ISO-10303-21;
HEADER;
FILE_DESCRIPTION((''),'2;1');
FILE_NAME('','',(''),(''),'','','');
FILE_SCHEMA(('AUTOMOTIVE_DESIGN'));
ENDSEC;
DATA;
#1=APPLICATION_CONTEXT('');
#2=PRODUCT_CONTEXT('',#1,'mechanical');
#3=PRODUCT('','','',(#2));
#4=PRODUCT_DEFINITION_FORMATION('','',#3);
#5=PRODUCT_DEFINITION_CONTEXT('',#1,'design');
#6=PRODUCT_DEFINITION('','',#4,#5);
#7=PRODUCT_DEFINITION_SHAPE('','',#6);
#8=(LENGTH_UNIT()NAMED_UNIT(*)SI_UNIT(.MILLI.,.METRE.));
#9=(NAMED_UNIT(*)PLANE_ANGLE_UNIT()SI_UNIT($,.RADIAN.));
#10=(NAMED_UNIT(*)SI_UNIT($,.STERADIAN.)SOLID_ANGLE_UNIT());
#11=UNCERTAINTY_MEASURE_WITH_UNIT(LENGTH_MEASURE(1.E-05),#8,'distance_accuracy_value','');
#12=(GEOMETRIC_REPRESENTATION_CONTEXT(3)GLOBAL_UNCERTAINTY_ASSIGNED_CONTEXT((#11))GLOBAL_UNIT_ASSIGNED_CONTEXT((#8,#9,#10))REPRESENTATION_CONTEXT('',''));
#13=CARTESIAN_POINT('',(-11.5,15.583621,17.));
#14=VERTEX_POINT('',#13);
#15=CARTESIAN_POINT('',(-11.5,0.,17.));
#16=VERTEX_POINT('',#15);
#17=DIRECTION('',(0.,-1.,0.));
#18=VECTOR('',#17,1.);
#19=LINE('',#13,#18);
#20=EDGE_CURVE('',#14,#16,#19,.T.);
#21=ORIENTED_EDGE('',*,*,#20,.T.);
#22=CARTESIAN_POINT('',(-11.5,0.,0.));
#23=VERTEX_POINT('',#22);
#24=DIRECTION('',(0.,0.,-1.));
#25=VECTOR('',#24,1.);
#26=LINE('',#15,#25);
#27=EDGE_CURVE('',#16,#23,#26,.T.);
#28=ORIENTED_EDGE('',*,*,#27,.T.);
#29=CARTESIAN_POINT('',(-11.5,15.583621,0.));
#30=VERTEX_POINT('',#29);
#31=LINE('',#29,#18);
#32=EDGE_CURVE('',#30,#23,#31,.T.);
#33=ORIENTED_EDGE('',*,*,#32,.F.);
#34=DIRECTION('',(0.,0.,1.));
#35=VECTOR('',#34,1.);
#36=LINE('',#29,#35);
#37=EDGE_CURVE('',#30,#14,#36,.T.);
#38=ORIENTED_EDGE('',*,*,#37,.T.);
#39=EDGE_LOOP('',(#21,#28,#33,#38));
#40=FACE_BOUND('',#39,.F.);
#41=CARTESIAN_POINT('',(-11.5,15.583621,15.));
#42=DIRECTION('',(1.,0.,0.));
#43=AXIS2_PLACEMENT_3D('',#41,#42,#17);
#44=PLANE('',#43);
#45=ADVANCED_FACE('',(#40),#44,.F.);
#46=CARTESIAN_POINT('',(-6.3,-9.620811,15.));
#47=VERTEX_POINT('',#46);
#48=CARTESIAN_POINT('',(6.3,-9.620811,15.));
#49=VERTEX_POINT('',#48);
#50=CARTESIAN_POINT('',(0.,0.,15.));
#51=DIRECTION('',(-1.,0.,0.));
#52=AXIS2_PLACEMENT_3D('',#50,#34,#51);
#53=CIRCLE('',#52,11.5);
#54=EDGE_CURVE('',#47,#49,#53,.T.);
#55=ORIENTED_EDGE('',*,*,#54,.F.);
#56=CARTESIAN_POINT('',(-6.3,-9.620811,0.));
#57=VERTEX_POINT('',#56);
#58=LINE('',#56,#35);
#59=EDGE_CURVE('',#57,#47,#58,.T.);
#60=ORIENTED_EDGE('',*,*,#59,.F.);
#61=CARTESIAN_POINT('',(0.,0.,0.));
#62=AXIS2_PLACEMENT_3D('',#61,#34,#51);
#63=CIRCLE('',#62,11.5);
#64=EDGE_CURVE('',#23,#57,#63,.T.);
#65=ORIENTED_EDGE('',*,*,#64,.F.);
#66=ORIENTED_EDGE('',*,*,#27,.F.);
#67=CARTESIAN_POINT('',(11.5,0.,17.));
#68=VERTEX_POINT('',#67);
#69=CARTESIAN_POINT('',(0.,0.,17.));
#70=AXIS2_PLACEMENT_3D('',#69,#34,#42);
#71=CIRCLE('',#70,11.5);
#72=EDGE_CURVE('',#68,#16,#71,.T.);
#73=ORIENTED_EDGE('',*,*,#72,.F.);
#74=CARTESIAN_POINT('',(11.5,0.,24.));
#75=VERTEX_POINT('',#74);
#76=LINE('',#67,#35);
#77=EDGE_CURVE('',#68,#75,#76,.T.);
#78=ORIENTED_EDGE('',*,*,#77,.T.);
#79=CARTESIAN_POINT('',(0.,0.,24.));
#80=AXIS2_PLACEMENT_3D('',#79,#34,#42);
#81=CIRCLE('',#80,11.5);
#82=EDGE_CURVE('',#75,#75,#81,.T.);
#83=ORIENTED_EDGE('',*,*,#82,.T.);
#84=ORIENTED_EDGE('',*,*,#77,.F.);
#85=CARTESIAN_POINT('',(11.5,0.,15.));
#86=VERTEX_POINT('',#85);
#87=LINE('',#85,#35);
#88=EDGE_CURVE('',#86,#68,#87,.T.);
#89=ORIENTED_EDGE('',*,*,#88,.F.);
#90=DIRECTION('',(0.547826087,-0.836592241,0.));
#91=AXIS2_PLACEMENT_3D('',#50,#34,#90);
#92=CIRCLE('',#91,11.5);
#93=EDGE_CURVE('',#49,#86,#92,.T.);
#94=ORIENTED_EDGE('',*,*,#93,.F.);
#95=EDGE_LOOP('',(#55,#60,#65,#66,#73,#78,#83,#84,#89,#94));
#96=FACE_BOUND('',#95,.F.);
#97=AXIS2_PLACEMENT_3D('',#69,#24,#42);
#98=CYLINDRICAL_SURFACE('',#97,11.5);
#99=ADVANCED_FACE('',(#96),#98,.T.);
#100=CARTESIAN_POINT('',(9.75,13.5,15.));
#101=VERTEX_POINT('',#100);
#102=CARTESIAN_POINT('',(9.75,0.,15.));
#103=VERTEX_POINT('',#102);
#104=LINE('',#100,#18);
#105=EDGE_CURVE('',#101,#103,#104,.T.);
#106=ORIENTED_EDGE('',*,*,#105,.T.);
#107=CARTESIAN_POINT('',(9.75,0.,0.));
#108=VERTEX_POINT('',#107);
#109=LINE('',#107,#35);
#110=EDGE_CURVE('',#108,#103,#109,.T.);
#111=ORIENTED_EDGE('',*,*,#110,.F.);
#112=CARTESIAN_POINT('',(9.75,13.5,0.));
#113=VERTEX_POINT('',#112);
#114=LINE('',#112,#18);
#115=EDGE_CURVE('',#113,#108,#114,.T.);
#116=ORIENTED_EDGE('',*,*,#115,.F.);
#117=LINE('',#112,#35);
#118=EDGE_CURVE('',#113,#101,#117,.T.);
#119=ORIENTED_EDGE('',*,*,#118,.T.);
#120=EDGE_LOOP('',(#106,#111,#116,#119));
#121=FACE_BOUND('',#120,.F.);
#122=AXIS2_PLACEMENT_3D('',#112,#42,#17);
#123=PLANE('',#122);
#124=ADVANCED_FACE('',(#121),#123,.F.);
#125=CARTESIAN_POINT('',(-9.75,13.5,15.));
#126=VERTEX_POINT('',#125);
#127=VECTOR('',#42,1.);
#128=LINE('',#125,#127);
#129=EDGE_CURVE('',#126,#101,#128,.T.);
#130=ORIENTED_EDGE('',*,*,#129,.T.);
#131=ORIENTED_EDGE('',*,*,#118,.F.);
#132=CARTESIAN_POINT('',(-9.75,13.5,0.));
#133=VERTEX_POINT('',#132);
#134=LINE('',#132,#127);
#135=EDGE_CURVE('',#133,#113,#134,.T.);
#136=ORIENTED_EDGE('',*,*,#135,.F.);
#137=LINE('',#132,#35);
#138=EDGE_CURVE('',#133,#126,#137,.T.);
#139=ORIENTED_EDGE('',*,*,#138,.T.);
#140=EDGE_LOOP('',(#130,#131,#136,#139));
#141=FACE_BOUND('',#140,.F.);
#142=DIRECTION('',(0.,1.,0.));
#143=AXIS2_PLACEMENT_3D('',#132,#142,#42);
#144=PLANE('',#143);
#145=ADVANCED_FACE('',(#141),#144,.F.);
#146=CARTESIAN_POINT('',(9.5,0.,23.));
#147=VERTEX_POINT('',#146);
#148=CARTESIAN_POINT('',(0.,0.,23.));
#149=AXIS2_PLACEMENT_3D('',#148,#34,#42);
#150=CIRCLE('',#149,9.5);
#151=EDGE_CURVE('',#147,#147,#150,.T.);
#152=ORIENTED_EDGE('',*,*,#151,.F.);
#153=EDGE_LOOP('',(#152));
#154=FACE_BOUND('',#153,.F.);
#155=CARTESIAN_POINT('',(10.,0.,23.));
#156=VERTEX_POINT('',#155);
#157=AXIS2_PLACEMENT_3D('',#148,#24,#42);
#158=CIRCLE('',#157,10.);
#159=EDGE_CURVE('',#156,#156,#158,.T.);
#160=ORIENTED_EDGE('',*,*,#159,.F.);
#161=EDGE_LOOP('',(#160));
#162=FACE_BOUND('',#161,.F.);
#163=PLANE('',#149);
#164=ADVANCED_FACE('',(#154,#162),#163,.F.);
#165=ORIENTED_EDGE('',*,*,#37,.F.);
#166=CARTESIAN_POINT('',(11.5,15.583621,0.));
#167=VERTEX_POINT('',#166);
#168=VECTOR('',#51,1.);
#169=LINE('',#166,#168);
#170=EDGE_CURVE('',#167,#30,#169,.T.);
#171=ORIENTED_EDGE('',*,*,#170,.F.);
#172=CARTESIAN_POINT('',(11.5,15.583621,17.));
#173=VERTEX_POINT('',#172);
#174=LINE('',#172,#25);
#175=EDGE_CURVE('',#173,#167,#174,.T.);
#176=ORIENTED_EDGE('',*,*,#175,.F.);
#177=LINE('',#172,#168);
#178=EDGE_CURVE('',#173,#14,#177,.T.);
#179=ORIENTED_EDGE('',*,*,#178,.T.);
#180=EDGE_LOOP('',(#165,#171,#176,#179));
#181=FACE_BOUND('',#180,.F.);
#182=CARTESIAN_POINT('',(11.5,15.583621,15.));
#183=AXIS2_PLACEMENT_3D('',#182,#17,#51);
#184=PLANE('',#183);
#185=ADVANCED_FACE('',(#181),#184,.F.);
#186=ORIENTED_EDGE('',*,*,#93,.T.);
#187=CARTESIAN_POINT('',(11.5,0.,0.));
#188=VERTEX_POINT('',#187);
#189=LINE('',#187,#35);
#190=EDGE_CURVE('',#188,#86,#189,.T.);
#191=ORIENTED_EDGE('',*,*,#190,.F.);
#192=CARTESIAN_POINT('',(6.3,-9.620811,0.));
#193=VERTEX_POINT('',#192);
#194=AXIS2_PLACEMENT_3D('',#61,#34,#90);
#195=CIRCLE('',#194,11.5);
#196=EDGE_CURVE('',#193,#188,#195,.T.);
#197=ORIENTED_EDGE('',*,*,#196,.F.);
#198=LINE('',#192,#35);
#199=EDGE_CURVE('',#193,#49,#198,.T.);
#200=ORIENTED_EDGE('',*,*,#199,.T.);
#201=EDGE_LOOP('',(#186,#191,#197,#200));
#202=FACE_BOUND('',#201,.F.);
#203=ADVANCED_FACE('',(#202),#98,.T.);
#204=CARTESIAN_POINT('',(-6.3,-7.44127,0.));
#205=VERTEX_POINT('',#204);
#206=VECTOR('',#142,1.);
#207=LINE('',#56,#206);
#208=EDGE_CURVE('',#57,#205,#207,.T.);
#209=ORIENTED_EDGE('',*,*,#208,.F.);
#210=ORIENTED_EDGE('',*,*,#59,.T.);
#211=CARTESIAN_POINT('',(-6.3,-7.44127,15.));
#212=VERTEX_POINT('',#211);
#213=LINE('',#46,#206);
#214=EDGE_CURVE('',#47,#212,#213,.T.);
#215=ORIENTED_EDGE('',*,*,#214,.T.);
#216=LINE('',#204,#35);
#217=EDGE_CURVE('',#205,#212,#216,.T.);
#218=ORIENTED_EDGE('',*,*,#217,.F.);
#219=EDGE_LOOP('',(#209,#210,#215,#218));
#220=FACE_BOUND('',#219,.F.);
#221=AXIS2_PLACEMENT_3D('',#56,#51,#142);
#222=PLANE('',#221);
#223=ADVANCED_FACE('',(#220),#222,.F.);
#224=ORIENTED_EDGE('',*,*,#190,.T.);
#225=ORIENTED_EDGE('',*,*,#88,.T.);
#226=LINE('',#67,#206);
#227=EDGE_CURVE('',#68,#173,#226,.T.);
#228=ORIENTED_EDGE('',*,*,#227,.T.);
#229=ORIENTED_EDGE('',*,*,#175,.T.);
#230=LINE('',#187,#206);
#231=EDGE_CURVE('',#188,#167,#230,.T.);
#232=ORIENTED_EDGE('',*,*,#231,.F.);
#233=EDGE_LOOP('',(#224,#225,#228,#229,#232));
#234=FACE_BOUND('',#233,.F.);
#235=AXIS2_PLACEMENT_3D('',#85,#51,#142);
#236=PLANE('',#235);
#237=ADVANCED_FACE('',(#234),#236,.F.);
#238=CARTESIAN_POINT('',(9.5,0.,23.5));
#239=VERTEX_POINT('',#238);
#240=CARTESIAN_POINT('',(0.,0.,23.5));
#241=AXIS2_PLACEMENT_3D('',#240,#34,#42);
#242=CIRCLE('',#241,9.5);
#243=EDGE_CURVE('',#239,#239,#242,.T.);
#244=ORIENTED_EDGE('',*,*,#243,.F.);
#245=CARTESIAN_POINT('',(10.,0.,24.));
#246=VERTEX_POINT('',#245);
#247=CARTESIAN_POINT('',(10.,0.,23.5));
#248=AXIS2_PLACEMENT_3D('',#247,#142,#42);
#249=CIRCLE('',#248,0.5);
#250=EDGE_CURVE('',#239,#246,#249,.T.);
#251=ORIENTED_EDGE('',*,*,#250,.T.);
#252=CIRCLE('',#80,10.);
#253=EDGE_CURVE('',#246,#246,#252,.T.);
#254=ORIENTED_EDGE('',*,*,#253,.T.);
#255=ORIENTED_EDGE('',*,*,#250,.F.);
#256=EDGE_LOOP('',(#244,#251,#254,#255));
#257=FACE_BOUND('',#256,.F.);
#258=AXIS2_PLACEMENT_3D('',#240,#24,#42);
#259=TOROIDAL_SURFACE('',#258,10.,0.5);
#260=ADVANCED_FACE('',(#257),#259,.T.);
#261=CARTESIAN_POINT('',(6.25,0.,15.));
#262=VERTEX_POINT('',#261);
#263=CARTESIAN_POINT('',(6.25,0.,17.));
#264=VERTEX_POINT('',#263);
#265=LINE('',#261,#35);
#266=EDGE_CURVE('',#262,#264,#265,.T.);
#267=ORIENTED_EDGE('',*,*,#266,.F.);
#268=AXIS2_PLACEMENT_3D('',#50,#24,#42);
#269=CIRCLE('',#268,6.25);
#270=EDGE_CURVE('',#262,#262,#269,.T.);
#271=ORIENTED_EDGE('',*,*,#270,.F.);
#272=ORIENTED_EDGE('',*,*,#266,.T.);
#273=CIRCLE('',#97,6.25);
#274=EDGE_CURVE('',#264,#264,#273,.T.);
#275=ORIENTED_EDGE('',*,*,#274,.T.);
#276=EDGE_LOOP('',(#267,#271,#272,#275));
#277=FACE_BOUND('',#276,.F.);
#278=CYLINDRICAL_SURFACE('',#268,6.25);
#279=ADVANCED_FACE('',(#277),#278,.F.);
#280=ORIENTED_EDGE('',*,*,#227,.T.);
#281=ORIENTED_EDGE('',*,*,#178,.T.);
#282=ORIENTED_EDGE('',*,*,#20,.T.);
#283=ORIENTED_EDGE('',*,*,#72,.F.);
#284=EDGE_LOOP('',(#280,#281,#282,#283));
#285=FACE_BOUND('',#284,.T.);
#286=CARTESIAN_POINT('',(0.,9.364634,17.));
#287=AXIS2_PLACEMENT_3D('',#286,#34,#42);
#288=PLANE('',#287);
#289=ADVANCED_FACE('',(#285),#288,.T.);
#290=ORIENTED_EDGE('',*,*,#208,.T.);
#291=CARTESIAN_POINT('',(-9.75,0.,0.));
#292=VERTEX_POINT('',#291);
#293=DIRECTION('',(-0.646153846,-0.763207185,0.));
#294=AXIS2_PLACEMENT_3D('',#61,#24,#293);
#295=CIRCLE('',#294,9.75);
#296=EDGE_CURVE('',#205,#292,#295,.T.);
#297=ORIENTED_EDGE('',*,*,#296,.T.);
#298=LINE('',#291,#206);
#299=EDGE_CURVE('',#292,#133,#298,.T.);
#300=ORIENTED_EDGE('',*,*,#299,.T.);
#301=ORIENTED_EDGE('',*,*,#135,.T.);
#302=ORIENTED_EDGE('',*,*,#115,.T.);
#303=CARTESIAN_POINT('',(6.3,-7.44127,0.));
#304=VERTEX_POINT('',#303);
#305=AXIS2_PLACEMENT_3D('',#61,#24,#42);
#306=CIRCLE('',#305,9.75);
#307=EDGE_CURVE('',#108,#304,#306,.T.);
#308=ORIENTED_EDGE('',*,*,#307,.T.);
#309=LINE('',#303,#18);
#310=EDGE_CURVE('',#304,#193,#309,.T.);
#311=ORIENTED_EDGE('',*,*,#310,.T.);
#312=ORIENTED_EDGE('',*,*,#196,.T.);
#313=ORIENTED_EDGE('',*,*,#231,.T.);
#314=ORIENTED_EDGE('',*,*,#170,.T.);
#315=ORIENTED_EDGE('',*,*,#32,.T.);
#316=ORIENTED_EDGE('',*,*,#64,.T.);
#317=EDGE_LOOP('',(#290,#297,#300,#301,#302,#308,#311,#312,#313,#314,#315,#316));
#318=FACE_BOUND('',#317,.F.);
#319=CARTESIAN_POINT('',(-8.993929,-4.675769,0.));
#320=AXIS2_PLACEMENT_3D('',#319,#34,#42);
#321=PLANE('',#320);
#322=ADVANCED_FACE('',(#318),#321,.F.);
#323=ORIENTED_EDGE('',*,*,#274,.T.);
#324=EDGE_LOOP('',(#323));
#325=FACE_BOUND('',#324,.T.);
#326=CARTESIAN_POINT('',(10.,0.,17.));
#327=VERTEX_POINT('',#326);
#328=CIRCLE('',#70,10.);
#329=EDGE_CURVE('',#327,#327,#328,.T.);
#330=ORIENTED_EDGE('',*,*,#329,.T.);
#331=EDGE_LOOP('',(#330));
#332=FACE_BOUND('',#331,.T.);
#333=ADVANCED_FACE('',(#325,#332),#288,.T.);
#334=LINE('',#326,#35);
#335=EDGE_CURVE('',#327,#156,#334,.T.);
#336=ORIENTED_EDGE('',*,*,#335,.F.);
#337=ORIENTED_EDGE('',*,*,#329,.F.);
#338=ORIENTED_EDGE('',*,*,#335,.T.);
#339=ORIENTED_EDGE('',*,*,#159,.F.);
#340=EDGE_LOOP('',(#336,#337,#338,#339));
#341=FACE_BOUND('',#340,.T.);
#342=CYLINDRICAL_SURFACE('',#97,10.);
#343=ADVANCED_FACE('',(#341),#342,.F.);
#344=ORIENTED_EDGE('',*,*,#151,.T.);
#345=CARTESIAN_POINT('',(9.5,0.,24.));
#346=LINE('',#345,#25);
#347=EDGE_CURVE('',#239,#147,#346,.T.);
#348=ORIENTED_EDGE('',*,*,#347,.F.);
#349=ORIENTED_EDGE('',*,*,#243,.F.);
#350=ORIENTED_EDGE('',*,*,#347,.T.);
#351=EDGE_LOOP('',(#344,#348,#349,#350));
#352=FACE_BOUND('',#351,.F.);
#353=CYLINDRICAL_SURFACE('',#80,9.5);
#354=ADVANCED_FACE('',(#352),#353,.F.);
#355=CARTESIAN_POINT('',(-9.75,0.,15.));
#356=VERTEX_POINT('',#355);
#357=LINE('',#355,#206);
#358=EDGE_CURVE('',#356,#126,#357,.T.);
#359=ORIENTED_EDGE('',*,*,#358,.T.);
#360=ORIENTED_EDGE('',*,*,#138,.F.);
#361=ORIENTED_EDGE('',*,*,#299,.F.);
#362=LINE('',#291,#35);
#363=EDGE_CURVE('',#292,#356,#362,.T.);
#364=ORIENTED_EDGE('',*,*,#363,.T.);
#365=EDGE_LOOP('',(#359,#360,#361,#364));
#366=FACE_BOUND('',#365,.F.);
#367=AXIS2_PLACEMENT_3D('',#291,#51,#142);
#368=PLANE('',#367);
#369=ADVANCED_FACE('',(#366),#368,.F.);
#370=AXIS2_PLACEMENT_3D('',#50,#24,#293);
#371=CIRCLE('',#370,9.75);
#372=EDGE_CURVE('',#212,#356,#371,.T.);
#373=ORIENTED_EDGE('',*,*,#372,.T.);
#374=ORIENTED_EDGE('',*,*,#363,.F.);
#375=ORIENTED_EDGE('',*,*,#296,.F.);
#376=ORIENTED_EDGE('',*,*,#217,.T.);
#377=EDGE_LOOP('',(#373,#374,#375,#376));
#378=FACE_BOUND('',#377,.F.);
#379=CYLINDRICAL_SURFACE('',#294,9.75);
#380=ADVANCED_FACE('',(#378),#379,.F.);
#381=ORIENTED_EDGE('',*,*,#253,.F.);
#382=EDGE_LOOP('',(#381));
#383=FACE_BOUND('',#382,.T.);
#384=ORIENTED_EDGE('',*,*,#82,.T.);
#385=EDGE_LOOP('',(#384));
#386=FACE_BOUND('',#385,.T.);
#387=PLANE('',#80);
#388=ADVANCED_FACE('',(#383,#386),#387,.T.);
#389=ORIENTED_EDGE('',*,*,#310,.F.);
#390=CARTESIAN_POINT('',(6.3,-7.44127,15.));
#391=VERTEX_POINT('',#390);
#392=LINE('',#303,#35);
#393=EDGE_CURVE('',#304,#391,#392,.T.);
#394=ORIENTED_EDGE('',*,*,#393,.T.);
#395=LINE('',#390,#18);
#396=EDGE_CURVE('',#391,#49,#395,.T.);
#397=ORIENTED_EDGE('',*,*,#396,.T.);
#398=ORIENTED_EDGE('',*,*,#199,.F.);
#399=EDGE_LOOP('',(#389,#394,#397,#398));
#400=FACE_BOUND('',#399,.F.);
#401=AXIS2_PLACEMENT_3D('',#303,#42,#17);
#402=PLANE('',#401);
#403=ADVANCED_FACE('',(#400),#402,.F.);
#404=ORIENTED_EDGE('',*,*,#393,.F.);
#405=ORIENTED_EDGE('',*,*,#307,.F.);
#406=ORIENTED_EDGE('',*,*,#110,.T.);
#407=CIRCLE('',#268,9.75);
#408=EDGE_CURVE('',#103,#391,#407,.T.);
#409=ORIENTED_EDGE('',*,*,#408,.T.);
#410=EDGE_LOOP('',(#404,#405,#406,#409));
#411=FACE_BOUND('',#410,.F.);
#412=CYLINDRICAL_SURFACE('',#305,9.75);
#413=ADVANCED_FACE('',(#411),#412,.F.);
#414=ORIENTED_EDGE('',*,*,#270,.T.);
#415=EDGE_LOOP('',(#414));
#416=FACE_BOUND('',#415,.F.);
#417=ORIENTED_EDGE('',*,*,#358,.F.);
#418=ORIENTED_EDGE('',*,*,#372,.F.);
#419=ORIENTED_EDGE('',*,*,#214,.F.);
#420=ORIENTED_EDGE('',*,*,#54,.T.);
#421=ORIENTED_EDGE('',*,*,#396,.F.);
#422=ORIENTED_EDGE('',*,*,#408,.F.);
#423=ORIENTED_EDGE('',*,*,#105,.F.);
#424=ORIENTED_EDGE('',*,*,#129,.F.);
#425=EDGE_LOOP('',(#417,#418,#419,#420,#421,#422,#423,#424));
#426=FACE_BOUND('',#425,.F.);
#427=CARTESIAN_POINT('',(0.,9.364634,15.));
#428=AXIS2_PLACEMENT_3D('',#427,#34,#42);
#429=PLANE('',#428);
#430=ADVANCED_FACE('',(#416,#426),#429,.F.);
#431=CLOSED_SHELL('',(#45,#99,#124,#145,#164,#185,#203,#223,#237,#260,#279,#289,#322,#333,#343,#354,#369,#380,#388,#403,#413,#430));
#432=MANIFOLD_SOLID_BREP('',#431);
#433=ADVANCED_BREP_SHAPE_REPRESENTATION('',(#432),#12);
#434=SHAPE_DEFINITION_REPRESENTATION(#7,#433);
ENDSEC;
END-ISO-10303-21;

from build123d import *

# Parameters (mm, degrees)
F1_DEPTH = 15
F3_DEPTH = 2
F4_R     = 11.5
F4_R_2   = 10
F5_DEPTH = 7
F6_R     = 11.5
F6_R_2   = 9.5
F7_DEPTH = 1
F8_R     = 0.5


with BuildPart() as f1:
    # F0 (on Top) → F1 (new body)
    with BuildSketch(Plane.XY):
        with BuildLine():
            ThreePointArc((-6.3, -7.4412700529), (-8.8455497285, -4.1010669343), (-9.75, 0))
            Line((-9.75, 0), (-11.5, 0))
            ThreePointArc((-11.5, 0), (-10.1168176815, -5.4680892458), (-6.3, -9.6208107766))
            Line((-6.3, -9.6208107766), (-6.3, -7.4412700529))
        make_face()
        with BuildLine():
            Line((11.5, 0), (9.75, 0))
            ThreePointArc((9.75, 0), (8.8455497285, -4.1010669343), (6.3, -7.4412700529))
            Line((6.3, -7.4412700529), (6.3, -9.6208107766))
            ThreePointArc((6.3, -9.6208107766), (10.1168176815, -5.4680892458), (11.5, 0))
        make_face()
        with BuildLine():
            Line((9.75, 13.5), (9.75, 6.0981554588))
            ThreePointArc((9.75, 6.0981554588), (11.0538454847, 3.1721443851), (11.5, 0))
            Line((11.5, 0), (11.5, 13.5))
            Line((11.5, 13.5), (9.75, 13.5))
        make_face()
        with BuildLine():
            Line((9.75, 6.0981554588), (9.75, 0))
            Line((9.75, 0), (11.5, 0))
            ThreePointArc((11.5, 0), (11.0538454847, 3.1721443851), (9.75, 6.0981554588))
        make_face()
        with BuildLine():
            ThreePointArc((-11.5, 0), (-11.0538454847, 3.1721443851), (-9.75, 6.0981554588))
            Line((-9.75, 6.0981554588), (-9.75, 13.5))
            Line((-9.75, 13.5), (-11.5, 13.5))
            Line((-11.5, 13.5), (-11.5, 0))
        make_face()
        with BuildLine():
            Line((-11.5, 0), (-9.75, 0))
            Line((-9.75, 0), (-9.75, 6.0981554588))
            ThreePointArc((-9.75, 6.0981554588), (-11.0538454847, 3.1721443851), (-11.5, 0))
        make_face()
        Polygon((-9.75, 13.5), (9.75, 13.5), (11.5, 13.5), (11.5, 15.583621338), (-11.5, 15.583621338), (-11.5, 13.5), align=None)
    extrude(amount=F1_DEPTH)

    # F2 (on face) → F3 (join)
    with BuildSketch(Plane.XY.offset(15)):
        with BuildLine():
            Line((11.5, 15.583621338), (-11.5, 15.583621338))
            Line((-11.5, 15.583621338), (-11.5, 0))
            ThreePointArc((-11.5, 0), (0, 11.5), (11.5, 0))
            Line((11.5, 0), (11.5, 15.583621338))
        make_face()
        with BuildLine():
            ThreePointArc((11.5, 0), (0, 11.5), (-11.5, 0))
            Line((-11.5, 0), (-6.25, 0))
            ThreePointArc((-6.25, 0), (0, 6.25), (6.25, 0))
            Line((6.25, 0), (11.5, 0))
        make_face()
        with BuildLine():
            Line((-6.25, 0), (-11.5, 0))
            ThreePointArc((-11.5, 0), (0, -11.5), (11.5, 0))
            Line((11.5, 0), (6.25, 0))
            ThreePointArc((6.25, 0), (0, -6.25), (-6.25, 0))
        make_face()
    extrude(amount=F3_DEPTH)

    # F4 (on face) → F5 (join)
    with BuildSketch(Plane.XY.offset(17)):
        Circle(F4_R)
        Circle(F4_R_2, mode=Mode.SUBTRACT)
    extrude(amount=F5_DEPTH)

    # F6 (on face) → F7 (join)
    with BuildSketch(Plane.XY.offset(24)):
        Circle(F6_R)
        Circle(F6_R_2, mode=Mode.SUBTRACT)
    extrude(amount=-F7_DEPTH)

    # F8
    f8_edges = [f1.edges().sort_by_distance(p)[0] for p in [
        (-9.5, 0, 24),
    ]]
    fillet(f8_edges, radius=F8_R)


solid = f1.part
